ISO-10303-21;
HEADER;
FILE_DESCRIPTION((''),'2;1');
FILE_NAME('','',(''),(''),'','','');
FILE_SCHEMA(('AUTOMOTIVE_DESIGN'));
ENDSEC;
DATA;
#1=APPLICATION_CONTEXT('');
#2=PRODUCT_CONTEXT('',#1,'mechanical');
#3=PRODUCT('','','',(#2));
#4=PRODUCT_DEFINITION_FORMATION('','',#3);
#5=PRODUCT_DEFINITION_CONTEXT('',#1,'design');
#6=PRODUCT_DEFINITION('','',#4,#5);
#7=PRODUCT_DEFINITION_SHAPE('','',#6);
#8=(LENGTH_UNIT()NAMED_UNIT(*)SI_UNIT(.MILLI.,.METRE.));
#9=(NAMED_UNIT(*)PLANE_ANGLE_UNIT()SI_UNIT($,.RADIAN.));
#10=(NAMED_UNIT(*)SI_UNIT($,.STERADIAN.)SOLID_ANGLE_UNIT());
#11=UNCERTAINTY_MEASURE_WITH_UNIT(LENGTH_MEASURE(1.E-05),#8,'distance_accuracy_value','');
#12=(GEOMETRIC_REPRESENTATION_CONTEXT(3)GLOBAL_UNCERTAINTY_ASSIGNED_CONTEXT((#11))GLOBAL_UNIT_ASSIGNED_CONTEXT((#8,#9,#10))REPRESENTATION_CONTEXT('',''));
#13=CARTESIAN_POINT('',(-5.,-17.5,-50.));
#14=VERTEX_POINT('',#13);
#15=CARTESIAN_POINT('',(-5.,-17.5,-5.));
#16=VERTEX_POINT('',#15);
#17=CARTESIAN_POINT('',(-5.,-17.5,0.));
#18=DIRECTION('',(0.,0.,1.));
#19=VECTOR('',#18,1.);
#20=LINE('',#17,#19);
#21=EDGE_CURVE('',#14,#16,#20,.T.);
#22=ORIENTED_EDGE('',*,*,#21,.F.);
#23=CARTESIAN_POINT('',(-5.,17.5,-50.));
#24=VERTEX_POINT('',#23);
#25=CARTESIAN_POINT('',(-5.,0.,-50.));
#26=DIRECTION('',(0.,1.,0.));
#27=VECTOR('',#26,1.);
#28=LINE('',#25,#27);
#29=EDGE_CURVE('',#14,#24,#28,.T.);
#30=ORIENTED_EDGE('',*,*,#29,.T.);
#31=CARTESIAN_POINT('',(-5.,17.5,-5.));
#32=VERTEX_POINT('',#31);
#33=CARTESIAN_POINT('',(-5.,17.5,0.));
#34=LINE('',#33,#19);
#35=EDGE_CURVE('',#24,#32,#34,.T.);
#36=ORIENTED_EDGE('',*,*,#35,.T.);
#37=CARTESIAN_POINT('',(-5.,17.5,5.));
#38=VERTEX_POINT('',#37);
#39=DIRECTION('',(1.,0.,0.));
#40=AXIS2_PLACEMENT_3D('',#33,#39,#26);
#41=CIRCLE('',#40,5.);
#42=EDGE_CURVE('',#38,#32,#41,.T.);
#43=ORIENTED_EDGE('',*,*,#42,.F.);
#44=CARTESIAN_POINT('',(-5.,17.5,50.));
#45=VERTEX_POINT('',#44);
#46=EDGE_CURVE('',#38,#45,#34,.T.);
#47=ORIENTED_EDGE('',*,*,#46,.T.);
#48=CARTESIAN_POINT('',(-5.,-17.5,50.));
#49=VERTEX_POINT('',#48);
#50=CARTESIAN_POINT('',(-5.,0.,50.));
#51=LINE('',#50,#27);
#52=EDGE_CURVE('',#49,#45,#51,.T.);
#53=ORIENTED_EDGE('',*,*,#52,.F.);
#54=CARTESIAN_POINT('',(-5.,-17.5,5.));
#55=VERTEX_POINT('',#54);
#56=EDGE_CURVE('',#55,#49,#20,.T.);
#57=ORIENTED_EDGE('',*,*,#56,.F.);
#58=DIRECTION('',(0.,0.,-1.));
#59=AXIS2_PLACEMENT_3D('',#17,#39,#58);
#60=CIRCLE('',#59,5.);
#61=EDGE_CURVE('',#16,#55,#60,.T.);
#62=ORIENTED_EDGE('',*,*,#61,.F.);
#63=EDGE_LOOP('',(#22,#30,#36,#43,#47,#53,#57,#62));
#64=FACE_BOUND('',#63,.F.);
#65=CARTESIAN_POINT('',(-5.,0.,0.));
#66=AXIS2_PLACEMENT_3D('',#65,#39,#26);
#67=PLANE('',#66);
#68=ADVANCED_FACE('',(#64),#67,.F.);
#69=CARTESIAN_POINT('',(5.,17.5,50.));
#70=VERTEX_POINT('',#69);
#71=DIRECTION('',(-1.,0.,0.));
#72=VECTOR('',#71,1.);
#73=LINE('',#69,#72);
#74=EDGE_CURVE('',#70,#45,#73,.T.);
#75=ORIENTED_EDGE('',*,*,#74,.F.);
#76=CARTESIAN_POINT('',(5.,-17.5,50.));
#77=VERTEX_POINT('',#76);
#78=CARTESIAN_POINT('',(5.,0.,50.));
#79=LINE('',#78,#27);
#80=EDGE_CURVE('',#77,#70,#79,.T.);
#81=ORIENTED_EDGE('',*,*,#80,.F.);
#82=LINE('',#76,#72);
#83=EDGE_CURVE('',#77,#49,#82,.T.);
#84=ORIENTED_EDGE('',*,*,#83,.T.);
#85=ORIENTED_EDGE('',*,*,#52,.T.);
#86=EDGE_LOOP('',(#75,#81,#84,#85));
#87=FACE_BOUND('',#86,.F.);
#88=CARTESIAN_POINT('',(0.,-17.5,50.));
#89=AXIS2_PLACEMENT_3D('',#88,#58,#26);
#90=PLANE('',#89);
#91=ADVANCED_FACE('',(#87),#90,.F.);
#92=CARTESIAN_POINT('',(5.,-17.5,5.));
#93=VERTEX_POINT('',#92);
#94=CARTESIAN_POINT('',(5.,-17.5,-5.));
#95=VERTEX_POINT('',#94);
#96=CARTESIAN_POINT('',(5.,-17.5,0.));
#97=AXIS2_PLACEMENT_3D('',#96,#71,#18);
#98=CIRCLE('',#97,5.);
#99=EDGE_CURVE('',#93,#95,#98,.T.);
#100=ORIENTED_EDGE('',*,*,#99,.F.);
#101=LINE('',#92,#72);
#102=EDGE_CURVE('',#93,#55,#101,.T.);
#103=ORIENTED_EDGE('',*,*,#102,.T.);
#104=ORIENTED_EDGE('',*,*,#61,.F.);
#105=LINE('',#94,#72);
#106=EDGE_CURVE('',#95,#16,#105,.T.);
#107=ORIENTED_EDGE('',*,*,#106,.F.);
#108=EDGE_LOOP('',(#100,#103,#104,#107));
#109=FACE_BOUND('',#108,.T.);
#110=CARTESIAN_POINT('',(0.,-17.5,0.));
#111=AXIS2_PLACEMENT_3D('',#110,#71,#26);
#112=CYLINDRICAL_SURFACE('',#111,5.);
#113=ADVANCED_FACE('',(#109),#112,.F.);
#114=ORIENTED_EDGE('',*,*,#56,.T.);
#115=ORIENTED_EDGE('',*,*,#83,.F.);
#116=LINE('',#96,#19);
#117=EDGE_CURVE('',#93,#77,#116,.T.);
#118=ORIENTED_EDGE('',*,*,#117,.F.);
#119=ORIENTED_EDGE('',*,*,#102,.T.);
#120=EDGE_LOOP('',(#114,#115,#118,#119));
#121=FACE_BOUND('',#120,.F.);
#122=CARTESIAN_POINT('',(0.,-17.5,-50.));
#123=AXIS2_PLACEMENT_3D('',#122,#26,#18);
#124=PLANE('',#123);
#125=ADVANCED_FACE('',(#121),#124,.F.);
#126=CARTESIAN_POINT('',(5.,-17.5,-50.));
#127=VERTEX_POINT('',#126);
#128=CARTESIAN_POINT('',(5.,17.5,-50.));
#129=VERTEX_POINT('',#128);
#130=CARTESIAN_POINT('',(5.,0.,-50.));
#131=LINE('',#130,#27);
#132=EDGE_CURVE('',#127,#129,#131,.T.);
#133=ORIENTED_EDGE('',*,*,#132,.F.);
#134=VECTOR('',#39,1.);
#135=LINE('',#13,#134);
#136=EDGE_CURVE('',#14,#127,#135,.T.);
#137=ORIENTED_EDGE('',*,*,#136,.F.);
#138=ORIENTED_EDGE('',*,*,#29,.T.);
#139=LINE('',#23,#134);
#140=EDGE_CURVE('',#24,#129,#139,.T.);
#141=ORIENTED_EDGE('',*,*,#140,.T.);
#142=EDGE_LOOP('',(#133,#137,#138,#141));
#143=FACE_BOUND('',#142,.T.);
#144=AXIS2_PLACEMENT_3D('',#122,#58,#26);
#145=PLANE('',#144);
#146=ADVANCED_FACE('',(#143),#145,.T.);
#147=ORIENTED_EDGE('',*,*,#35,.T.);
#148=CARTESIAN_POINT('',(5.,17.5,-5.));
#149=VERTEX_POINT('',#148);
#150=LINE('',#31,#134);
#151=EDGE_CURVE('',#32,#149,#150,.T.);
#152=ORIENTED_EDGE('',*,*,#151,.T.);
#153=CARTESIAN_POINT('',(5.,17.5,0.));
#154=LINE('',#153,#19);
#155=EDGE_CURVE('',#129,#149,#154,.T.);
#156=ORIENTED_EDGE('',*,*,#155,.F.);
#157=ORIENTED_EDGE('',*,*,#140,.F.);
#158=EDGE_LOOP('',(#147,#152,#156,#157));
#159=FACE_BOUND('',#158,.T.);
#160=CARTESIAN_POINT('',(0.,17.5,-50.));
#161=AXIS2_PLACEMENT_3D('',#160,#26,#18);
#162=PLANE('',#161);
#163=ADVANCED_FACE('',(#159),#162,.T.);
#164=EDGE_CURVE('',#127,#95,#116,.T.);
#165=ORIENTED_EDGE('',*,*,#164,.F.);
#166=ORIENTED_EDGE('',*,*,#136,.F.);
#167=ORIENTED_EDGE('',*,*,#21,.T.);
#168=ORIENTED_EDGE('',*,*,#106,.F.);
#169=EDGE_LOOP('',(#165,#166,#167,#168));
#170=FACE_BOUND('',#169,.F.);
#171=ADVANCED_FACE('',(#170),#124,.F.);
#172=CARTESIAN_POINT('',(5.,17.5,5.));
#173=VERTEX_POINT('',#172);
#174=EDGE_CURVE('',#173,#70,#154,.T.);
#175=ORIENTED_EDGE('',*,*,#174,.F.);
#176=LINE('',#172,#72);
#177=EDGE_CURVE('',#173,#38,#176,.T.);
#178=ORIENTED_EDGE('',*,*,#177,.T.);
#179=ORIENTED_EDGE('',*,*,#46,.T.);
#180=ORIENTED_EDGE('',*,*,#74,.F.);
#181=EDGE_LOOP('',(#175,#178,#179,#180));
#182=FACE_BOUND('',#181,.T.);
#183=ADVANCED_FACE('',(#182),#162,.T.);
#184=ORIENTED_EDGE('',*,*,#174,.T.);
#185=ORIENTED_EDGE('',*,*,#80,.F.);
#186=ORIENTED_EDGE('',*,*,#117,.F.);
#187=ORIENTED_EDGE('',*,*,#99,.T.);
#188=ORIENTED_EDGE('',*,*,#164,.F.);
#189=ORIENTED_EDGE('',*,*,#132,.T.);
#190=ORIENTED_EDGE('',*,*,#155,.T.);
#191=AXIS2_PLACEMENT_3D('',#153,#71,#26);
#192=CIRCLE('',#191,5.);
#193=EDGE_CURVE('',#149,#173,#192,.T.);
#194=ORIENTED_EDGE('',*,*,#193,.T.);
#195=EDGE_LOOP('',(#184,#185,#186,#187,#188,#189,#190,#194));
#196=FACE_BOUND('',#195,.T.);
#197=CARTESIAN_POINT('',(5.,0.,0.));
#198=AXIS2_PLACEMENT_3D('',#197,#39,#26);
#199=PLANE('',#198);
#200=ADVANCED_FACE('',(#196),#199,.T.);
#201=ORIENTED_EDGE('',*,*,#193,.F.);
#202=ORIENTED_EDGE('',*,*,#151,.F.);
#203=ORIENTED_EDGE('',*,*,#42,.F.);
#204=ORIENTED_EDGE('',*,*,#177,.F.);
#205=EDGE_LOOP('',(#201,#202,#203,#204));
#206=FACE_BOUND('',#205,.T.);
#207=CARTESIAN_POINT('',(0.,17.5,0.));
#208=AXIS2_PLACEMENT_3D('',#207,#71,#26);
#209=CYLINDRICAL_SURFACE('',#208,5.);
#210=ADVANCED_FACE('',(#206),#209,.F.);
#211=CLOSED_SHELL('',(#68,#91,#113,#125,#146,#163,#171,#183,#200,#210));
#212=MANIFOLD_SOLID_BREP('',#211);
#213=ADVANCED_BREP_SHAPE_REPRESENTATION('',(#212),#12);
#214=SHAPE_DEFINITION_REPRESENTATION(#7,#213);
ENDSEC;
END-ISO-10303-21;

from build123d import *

# Parameters (mm, degrees)
F0_W          = 35
F0_H          = 100
F1_DEPTH      = 5
F1_DEPTH_BACK = 5
F2_R          = 5
F3_DEPTH      = 25
F3_DEPTH_BACK = 25


with BuildPart() as f1:
    # F0 (on Right) → F1 (new body, two sides)
    with BuildSketch(Plane.YZ) as f1_sk:
        Rectangle(F0_W, F0_H)
    extrude(amount=F1_DEPTH)
    extrude(f1_sk.sketch, amount=-F1_DEPTH_BACK)

    # F2 (on Right) → F3 (cut, two sides)
    with BuildSketch(Plane.YZ) as f3_sk:
        with Locations((-17.5, 0)):
            Circle(F2_R)
        with Locations((17.5, 0)):
            Circle(F2_R)
    extrude(amount=-F3_DEPTH, mode=Mode.SUBTRACT)
    extrude(f3_sk.sketch, amount=F3_DEPTH_BACK, mode=Mode.SUBTRACT)


solid = f1.part
